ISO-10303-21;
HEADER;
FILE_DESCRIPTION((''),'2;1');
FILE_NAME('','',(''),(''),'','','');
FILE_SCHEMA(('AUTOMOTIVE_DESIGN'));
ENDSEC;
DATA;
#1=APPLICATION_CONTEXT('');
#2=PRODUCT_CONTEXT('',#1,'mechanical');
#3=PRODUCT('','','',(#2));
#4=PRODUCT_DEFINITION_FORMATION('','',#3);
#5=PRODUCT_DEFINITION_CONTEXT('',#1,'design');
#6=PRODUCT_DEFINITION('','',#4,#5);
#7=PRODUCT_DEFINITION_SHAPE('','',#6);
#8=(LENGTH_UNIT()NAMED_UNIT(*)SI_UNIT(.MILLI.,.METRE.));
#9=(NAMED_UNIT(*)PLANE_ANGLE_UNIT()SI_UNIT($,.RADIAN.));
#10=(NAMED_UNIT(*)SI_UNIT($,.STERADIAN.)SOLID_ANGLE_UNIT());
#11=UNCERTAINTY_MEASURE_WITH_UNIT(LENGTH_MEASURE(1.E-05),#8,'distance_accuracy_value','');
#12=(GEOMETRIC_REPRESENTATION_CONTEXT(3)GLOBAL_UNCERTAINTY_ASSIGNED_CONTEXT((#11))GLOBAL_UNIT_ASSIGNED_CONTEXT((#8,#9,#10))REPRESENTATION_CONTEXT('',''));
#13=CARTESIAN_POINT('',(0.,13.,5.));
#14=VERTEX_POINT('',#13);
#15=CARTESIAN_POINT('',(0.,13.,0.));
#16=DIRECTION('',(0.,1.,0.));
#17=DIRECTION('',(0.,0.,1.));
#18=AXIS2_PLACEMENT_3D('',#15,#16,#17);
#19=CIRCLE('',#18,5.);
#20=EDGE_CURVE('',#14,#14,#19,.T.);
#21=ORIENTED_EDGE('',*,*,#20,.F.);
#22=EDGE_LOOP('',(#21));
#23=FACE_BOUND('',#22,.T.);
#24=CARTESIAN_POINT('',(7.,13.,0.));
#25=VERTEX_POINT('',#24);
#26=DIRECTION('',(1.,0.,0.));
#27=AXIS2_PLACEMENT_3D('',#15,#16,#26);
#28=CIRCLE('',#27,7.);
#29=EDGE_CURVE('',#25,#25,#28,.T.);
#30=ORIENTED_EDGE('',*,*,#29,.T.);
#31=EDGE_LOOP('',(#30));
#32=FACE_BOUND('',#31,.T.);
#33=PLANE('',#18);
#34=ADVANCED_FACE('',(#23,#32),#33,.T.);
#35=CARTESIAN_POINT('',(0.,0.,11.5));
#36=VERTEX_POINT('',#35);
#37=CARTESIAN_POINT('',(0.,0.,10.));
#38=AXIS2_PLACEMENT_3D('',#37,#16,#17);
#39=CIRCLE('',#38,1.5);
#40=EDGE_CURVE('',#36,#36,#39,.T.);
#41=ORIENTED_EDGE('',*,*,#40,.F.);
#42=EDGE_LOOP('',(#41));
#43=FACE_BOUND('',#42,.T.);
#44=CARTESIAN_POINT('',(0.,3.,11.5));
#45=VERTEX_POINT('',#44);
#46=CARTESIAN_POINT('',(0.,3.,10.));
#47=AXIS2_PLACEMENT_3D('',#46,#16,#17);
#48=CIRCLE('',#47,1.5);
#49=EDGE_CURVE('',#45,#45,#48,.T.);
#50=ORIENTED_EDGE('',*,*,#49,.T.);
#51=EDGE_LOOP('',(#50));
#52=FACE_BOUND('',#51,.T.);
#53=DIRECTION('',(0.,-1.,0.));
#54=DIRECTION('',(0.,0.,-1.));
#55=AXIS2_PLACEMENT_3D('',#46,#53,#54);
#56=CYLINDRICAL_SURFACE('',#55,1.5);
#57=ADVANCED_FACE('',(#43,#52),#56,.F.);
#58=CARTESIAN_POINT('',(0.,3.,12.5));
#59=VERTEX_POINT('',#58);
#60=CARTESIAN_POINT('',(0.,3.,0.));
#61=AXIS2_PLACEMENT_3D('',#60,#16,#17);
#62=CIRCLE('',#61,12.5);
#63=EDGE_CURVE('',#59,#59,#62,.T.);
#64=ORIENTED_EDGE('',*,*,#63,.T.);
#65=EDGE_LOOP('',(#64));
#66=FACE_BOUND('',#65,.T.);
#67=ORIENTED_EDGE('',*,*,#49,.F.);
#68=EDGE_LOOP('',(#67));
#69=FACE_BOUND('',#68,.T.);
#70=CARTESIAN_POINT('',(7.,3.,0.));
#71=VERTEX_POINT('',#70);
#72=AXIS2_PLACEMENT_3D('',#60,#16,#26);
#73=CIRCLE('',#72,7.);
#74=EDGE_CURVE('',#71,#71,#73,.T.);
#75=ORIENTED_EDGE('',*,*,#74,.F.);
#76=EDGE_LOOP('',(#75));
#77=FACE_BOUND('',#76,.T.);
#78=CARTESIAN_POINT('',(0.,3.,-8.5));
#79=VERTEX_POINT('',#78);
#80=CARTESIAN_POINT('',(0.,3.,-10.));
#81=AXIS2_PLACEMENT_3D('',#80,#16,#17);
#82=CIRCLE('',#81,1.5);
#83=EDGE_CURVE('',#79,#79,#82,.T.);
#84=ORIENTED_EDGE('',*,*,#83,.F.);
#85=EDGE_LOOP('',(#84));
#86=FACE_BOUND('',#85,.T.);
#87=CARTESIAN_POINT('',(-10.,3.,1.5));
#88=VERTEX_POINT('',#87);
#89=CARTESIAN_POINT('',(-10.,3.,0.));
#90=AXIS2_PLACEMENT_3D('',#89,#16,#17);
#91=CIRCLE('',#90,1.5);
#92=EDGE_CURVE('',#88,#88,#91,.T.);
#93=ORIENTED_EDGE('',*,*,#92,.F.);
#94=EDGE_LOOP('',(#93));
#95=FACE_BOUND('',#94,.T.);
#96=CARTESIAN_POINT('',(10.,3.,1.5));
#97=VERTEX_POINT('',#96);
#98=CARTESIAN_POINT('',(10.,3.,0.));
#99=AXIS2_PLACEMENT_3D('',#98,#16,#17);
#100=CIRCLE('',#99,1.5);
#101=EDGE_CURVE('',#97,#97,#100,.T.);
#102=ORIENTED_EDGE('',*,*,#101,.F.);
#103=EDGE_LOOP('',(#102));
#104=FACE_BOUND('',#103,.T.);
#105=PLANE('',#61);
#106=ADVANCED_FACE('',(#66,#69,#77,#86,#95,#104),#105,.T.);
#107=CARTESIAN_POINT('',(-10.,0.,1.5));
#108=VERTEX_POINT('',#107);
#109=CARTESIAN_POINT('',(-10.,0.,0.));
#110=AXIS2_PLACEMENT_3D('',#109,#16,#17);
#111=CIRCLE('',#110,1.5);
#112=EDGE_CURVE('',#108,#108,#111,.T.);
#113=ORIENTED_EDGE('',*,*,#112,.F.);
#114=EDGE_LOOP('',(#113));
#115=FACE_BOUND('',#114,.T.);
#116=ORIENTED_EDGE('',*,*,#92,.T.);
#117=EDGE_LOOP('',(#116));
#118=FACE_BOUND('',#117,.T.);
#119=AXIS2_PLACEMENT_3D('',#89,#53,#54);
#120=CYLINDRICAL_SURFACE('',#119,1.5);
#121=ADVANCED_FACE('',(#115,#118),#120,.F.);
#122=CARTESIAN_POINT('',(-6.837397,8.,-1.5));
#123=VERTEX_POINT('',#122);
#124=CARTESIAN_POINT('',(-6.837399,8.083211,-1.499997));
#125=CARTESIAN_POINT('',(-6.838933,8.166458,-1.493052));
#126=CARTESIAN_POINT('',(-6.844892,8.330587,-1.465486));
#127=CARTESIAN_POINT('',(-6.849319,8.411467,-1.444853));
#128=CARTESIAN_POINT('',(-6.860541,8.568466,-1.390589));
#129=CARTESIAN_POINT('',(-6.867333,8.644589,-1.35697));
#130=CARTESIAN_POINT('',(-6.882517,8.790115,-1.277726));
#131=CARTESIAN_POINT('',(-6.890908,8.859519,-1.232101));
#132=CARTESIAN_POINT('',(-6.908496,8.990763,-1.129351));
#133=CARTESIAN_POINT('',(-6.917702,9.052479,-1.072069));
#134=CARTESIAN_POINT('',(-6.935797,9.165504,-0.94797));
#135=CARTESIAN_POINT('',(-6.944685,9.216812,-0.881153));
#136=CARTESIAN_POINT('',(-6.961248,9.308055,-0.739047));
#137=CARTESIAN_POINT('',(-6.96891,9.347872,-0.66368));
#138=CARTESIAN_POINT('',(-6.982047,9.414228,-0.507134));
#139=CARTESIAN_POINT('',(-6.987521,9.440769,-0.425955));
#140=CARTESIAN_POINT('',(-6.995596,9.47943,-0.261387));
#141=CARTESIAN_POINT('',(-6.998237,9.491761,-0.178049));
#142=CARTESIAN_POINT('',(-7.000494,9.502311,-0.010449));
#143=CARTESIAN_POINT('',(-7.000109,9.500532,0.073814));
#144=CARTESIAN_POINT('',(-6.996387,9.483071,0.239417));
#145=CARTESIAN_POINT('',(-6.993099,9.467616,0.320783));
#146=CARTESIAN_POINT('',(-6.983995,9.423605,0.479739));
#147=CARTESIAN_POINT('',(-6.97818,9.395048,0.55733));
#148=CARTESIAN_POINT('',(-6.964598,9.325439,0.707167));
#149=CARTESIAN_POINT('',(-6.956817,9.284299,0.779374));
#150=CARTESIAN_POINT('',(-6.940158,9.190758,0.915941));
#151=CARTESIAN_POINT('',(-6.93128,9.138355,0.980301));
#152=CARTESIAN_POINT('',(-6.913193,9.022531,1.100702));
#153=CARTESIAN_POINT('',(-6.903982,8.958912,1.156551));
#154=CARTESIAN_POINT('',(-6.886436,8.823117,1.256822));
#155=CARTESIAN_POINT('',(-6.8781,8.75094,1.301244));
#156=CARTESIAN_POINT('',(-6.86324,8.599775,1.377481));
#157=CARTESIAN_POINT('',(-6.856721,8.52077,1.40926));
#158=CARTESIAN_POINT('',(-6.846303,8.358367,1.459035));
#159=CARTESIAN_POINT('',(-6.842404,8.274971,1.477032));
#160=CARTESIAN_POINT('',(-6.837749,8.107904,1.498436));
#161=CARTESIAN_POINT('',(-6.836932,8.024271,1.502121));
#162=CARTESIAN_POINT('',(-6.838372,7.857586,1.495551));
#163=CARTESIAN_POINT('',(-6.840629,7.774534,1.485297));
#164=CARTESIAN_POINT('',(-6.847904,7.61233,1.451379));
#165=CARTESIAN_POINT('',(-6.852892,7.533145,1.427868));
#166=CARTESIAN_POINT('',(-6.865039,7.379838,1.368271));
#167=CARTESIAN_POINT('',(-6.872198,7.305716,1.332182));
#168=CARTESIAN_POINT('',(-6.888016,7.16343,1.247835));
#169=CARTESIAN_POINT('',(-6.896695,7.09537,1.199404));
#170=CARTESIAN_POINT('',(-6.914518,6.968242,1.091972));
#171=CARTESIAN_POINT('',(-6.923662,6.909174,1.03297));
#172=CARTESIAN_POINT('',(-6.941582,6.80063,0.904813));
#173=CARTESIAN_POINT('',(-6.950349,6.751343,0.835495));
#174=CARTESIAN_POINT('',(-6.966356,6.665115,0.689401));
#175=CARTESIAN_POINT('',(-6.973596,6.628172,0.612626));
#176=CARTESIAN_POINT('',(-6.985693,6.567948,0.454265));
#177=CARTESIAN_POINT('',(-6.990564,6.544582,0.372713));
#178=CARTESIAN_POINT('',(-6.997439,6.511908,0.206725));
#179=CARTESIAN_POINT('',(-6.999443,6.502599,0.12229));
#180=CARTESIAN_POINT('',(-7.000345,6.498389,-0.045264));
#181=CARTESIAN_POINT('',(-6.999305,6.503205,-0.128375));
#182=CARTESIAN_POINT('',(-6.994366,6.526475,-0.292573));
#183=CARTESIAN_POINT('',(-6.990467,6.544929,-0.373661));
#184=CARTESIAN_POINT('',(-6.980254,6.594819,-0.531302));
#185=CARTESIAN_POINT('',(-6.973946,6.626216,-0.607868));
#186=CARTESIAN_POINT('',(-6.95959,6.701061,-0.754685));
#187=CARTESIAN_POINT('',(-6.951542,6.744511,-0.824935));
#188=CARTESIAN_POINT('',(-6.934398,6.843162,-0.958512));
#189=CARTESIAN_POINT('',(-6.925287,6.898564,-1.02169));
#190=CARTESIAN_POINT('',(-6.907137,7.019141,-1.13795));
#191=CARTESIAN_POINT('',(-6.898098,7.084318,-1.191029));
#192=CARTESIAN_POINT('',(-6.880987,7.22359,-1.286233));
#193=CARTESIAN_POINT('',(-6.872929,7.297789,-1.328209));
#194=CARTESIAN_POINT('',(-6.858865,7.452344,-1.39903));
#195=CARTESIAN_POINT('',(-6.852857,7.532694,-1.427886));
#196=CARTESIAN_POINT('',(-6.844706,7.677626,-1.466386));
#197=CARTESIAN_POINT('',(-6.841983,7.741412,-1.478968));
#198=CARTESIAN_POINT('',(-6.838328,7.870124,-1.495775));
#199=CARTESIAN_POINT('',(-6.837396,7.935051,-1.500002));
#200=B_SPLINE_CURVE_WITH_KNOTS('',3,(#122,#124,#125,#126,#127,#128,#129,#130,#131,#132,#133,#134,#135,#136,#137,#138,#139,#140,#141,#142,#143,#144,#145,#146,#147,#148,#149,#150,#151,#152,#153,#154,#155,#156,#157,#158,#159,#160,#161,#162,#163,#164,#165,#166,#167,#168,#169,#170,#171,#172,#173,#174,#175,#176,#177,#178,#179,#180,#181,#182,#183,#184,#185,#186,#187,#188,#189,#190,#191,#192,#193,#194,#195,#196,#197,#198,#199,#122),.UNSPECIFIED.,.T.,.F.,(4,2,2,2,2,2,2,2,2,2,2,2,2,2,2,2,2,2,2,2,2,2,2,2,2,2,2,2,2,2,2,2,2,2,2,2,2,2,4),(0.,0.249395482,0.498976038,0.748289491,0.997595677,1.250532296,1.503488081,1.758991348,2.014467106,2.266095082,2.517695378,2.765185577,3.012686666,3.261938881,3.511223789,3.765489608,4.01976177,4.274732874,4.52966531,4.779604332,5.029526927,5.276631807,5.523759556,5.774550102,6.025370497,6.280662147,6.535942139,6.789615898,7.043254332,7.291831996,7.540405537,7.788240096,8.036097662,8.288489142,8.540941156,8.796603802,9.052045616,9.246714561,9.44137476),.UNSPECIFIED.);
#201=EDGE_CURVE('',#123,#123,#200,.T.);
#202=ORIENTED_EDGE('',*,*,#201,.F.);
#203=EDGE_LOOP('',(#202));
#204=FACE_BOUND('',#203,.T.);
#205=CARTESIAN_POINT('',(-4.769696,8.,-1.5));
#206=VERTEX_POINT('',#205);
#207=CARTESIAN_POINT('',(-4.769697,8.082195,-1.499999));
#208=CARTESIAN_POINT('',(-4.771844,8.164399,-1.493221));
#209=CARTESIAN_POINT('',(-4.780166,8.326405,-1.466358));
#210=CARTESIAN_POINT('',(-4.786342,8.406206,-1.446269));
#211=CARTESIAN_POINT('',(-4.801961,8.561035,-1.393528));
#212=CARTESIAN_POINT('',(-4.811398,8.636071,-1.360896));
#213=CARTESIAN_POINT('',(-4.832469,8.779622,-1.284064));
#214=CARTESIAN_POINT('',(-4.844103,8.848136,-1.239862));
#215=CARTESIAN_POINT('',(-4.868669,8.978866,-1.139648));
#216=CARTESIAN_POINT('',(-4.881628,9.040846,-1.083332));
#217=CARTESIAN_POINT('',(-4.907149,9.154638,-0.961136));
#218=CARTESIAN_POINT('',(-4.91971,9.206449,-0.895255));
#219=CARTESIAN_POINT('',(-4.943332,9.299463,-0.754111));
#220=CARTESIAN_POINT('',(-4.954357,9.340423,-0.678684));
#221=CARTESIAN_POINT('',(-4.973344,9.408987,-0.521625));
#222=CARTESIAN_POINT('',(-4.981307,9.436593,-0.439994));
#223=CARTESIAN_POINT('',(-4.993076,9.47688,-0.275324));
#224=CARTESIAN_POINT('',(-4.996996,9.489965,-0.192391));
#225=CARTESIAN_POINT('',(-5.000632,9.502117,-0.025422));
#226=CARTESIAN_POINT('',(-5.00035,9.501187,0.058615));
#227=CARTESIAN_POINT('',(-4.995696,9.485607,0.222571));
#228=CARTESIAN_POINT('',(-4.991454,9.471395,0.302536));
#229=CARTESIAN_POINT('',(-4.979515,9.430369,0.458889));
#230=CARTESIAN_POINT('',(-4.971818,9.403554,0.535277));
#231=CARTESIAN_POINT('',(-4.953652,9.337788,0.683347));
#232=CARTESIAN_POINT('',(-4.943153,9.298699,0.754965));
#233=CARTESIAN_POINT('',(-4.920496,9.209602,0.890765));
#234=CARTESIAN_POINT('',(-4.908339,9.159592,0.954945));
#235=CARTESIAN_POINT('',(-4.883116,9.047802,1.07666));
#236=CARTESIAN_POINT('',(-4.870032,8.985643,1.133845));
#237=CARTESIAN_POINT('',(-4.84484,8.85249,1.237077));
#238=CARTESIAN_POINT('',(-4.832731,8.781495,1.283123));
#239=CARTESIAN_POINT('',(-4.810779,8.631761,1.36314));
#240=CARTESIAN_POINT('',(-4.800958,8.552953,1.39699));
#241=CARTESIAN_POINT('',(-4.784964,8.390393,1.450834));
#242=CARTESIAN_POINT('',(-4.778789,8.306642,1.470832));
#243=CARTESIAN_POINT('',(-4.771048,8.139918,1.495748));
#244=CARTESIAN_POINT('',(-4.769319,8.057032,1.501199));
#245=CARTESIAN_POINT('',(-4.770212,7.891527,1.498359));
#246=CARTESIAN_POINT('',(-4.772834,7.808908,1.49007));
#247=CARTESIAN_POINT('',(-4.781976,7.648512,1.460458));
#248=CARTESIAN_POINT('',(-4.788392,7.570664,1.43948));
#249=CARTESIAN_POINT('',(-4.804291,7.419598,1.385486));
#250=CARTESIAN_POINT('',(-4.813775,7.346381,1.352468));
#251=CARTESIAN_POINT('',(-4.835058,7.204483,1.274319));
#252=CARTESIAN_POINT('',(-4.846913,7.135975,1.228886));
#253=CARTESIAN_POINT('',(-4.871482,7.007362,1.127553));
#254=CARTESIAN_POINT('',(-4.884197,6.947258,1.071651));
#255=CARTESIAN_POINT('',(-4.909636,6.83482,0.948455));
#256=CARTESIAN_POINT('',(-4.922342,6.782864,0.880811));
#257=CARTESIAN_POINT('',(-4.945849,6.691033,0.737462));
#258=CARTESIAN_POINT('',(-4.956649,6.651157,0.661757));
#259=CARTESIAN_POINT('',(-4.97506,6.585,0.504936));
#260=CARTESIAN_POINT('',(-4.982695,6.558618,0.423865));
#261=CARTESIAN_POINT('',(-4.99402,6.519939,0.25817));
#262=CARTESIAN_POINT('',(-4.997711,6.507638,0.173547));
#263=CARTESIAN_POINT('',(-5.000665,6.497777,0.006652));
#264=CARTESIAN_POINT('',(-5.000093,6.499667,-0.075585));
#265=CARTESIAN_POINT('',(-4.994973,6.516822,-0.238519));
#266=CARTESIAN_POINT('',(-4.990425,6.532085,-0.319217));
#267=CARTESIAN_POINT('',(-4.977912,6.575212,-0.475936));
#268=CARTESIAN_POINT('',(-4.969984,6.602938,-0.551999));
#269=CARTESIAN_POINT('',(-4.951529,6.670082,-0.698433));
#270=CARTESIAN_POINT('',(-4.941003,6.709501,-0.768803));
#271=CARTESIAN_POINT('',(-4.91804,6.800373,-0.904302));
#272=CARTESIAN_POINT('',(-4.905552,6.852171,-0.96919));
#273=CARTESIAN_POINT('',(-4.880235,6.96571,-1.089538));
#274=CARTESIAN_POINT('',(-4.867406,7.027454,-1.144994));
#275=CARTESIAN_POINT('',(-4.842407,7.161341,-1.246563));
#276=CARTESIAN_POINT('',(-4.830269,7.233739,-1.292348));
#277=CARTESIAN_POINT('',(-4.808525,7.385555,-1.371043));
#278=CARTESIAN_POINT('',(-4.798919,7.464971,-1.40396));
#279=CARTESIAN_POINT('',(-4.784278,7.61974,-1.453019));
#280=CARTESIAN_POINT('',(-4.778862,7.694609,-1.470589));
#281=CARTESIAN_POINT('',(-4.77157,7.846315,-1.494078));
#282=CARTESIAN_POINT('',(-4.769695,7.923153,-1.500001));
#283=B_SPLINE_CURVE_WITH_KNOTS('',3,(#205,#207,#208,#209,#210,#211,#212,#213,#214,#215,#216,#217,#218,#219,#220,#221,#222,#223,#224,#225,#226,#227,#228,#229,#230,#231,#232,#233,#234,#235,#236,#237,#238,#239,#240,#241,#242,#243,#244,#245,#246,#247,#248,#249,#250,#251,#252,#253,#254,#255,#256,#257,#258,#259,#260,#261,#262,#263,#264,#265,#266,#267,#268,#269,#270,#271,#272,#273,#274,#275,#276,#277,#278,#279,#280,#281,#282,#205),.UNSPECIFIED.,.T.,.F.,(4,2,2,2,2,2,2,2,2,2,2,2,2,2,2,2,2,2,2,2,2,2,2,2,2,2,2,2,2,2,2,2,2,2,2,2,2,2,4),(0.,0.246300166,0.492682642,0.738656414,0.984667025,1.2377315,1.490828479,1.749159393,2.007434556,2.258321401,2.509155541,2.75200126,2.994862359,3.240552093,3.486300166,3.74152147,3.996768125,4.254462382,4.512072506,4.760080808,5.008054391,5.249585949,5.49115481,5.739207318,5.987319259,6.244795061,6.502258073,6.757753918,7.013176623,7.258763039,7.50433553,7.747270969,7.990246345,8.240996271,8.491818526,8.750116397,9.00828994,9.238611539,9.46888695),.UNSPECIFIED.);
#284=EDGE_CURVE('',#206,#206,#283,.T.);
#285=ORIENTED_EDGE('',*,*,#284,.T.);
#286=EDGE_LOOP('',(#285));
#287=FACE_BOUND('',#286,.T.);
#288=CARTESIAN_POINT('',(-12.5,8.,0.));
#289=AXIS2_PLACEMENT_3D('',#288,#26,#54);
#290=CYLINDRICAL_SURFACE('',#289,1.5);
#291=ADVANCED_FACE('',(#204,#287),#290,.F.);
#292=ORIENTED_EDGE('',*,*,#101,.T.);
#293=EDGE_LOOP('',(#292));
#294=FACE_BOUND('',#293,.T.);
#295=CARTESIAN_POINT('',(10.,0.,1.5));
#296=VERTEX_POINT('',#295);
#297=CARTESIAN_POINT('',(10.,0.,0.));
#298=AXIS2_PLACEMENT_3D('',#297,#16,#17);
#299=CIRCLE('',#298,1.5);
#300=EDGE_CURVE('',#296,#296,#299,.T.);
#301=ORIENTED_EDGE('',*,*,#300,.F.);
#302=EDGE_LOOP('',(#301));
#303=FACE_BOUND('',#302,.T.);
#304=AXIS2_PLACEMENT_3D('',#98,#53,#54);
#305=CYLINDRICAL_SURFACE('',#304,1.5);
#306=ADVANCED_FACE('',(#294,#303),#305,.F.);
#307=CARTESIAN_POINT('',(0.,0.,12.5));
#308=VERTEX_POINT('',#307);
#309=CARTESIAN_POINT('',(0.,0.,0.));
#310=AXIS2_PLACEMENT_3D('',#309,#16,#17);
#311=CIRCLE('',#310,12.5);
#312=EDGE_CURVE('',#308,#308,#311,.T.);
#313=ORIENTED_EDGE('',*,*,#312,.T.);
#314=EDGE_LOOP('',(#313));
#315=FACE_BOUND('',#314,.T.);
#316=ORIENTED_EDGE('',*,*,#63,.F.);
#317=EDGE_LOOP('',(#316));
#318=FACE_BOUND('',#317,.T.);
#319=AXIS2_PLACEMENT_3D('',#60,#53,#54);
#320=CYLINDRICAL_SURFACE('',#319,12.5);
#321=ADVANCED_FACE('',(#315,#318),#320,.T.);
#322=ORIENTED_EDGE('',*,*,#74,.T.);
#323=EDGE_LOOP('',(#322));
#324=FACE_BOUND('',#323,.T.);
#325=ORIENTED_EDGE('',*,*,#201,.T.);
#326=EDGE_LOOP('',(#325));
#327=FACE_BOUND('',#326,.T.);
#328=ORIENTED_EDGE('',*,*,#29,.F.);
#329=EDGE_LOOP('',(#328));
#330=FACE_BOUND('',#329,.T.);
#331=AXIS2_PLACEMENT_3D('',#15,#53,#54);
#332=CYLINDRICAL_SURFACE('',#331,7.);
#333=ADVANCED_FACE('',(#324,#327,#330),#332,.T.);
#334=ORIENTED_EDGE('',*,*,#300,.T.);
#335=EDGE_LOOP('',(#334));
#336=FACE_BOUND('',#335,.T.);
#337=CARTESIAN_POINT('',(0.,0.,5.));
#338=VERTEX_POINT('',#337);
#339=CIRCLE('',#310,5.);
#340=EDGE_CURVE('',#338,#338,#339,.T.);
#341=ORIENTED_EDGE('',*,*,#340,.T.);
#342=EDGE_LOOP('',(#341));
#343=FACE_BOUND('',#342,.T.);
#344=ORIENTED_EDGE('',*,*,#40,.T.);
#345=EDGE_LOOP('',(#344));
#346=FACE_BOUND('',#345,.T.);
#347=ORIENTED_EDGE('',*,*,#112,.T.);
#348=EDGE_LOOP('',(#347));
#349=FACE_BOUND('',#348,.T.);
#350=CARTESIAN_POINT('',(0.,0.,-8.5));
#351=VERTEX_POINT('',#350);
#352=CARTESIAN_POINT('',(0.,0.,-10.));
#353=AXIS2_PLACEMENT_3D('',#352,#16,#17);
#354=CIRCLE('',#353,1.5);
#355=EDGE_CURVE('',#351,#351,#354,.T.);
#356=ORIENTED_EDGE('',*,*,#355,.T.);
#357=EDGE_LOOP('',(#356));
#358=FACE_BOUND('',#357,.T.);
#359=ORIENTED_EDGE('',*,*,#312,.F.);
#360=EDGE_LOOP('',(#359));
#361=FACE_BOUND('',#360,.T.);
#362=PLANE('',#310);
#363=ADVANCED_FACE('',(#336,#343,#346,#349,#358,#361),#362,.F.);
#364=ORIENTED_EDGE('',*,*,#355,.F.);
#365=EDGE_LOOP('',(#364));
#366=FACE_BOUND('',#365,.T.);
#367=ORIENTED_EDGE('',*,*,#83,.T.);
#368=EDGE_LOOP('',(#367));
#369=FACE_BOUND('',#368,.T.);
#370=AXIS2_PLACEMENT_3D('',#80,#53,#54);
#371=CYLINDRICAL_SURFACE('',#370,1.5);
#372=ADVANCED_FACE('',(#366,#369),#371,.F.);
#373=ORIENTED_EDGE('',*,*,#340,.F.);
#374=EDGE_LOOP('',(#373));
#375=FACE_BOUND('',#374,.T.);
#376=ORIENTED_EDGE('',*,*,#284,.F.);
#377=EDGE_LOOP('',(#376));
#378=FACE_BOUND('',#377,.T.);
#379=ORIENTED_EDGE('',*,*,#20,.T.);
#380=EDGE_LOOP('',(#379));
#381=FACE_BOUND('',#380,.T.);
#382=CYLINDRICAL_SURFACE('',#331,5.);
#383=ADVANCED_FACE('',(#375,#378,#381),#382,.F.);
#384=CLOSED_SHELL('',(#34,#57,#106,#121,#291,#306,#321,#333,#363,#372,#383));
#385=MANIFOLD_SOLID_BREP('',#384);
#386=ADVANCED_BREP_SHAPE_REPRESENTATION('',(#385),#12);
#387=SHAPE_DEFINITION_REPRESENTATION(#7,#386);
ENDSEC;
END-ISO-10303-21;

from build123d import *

# Parameters (mm, degrees)
IZIM1_R                     = 12.5
IZIM1_R_2                   = 1.5
Y_KSEKLIK_EKSTR_ZYON1_DEPTH = 3
IZIM2_R                     = 7
IZIM2_R_2                   = 5
EKSTR_ZYON_NCE1_DEPTH       = 10
IZIM3_R                     = 1.5
KES_EKSTR_ZYON1_DEPTH       = 22.943108257
IZIM2_2_R                   = 5
KES_EKSTR_ZYON2_DEPTH       = 21.310096061


with BuildPart() as part:
    # Çizim1 → Yükseklik-Ekstrüzyon1 (new body)
    with BuildSketch(Plane(origin=(0, 0, 0), x_dir=(1, 0, 0), z_dir=(0, 1, 0))):
        Circle(IZIM1_R)
        with Locations((10, 0)):
            Circle(IZIM1_R_2, mode=Mode.SUBTRACT)
        with Locations((0, -10)):
            Circle(IZIM1_R_2, mode=Mode.SUBTRACT)
        with Locations((-10, 0)):
            Circle(IZIM1_R_2, mode=Mode.SUBTRACT)
        with Locations((0, 10)):
            Circle(IZIM1_R_2, mode=Mode.SUBTRACT)
    extrude(amount=Y_KSEKLIK_EKSTR_ZYON1_DEPTH)

    # Çizim2 → Ekstrüzyon-İnce1 (add)
    with BuildSketch(Plane(origin=(0, 3, 0), x_dir=(1, 0, 0), z_dir=(0, 1, 0))):
        Circle(IZIM2_R)
        Circle(IZIM2_R_2, mode=Mode.SUBTRACT)
    extrude(amount=EKSTR_ZYON_NCE1_DEPTH)

    # Çizim3 → Kes-Ekstrüzyon1 (cut, through all)
    with BuildSketch(Plane(origin=(0, 0, 0), x_dir=(0, 0, -1), z_dir=(1, 0, 0))):
        with Locations((0, 8)):
            Circle(IZIM3_R)
    extrude(amount=-KES_EKSTR_ZYON1_DEPTH, mode=Mode.SUBTRACT)

    # Çizim2<2> → Kes-Ekstrüzyon2 (cut, through all)
    with BuildSketch(Plane(origin=(0, 3, 0), x_dir=(1, 0, 0), z_dir=(0, 1, 0))):
        Circle(IZIM2_2_R)
    extrude(amount=-KES_EKSTR_ZYON2_DEPTH, mode=Mode.SUBTRACT)


solid = part.part
